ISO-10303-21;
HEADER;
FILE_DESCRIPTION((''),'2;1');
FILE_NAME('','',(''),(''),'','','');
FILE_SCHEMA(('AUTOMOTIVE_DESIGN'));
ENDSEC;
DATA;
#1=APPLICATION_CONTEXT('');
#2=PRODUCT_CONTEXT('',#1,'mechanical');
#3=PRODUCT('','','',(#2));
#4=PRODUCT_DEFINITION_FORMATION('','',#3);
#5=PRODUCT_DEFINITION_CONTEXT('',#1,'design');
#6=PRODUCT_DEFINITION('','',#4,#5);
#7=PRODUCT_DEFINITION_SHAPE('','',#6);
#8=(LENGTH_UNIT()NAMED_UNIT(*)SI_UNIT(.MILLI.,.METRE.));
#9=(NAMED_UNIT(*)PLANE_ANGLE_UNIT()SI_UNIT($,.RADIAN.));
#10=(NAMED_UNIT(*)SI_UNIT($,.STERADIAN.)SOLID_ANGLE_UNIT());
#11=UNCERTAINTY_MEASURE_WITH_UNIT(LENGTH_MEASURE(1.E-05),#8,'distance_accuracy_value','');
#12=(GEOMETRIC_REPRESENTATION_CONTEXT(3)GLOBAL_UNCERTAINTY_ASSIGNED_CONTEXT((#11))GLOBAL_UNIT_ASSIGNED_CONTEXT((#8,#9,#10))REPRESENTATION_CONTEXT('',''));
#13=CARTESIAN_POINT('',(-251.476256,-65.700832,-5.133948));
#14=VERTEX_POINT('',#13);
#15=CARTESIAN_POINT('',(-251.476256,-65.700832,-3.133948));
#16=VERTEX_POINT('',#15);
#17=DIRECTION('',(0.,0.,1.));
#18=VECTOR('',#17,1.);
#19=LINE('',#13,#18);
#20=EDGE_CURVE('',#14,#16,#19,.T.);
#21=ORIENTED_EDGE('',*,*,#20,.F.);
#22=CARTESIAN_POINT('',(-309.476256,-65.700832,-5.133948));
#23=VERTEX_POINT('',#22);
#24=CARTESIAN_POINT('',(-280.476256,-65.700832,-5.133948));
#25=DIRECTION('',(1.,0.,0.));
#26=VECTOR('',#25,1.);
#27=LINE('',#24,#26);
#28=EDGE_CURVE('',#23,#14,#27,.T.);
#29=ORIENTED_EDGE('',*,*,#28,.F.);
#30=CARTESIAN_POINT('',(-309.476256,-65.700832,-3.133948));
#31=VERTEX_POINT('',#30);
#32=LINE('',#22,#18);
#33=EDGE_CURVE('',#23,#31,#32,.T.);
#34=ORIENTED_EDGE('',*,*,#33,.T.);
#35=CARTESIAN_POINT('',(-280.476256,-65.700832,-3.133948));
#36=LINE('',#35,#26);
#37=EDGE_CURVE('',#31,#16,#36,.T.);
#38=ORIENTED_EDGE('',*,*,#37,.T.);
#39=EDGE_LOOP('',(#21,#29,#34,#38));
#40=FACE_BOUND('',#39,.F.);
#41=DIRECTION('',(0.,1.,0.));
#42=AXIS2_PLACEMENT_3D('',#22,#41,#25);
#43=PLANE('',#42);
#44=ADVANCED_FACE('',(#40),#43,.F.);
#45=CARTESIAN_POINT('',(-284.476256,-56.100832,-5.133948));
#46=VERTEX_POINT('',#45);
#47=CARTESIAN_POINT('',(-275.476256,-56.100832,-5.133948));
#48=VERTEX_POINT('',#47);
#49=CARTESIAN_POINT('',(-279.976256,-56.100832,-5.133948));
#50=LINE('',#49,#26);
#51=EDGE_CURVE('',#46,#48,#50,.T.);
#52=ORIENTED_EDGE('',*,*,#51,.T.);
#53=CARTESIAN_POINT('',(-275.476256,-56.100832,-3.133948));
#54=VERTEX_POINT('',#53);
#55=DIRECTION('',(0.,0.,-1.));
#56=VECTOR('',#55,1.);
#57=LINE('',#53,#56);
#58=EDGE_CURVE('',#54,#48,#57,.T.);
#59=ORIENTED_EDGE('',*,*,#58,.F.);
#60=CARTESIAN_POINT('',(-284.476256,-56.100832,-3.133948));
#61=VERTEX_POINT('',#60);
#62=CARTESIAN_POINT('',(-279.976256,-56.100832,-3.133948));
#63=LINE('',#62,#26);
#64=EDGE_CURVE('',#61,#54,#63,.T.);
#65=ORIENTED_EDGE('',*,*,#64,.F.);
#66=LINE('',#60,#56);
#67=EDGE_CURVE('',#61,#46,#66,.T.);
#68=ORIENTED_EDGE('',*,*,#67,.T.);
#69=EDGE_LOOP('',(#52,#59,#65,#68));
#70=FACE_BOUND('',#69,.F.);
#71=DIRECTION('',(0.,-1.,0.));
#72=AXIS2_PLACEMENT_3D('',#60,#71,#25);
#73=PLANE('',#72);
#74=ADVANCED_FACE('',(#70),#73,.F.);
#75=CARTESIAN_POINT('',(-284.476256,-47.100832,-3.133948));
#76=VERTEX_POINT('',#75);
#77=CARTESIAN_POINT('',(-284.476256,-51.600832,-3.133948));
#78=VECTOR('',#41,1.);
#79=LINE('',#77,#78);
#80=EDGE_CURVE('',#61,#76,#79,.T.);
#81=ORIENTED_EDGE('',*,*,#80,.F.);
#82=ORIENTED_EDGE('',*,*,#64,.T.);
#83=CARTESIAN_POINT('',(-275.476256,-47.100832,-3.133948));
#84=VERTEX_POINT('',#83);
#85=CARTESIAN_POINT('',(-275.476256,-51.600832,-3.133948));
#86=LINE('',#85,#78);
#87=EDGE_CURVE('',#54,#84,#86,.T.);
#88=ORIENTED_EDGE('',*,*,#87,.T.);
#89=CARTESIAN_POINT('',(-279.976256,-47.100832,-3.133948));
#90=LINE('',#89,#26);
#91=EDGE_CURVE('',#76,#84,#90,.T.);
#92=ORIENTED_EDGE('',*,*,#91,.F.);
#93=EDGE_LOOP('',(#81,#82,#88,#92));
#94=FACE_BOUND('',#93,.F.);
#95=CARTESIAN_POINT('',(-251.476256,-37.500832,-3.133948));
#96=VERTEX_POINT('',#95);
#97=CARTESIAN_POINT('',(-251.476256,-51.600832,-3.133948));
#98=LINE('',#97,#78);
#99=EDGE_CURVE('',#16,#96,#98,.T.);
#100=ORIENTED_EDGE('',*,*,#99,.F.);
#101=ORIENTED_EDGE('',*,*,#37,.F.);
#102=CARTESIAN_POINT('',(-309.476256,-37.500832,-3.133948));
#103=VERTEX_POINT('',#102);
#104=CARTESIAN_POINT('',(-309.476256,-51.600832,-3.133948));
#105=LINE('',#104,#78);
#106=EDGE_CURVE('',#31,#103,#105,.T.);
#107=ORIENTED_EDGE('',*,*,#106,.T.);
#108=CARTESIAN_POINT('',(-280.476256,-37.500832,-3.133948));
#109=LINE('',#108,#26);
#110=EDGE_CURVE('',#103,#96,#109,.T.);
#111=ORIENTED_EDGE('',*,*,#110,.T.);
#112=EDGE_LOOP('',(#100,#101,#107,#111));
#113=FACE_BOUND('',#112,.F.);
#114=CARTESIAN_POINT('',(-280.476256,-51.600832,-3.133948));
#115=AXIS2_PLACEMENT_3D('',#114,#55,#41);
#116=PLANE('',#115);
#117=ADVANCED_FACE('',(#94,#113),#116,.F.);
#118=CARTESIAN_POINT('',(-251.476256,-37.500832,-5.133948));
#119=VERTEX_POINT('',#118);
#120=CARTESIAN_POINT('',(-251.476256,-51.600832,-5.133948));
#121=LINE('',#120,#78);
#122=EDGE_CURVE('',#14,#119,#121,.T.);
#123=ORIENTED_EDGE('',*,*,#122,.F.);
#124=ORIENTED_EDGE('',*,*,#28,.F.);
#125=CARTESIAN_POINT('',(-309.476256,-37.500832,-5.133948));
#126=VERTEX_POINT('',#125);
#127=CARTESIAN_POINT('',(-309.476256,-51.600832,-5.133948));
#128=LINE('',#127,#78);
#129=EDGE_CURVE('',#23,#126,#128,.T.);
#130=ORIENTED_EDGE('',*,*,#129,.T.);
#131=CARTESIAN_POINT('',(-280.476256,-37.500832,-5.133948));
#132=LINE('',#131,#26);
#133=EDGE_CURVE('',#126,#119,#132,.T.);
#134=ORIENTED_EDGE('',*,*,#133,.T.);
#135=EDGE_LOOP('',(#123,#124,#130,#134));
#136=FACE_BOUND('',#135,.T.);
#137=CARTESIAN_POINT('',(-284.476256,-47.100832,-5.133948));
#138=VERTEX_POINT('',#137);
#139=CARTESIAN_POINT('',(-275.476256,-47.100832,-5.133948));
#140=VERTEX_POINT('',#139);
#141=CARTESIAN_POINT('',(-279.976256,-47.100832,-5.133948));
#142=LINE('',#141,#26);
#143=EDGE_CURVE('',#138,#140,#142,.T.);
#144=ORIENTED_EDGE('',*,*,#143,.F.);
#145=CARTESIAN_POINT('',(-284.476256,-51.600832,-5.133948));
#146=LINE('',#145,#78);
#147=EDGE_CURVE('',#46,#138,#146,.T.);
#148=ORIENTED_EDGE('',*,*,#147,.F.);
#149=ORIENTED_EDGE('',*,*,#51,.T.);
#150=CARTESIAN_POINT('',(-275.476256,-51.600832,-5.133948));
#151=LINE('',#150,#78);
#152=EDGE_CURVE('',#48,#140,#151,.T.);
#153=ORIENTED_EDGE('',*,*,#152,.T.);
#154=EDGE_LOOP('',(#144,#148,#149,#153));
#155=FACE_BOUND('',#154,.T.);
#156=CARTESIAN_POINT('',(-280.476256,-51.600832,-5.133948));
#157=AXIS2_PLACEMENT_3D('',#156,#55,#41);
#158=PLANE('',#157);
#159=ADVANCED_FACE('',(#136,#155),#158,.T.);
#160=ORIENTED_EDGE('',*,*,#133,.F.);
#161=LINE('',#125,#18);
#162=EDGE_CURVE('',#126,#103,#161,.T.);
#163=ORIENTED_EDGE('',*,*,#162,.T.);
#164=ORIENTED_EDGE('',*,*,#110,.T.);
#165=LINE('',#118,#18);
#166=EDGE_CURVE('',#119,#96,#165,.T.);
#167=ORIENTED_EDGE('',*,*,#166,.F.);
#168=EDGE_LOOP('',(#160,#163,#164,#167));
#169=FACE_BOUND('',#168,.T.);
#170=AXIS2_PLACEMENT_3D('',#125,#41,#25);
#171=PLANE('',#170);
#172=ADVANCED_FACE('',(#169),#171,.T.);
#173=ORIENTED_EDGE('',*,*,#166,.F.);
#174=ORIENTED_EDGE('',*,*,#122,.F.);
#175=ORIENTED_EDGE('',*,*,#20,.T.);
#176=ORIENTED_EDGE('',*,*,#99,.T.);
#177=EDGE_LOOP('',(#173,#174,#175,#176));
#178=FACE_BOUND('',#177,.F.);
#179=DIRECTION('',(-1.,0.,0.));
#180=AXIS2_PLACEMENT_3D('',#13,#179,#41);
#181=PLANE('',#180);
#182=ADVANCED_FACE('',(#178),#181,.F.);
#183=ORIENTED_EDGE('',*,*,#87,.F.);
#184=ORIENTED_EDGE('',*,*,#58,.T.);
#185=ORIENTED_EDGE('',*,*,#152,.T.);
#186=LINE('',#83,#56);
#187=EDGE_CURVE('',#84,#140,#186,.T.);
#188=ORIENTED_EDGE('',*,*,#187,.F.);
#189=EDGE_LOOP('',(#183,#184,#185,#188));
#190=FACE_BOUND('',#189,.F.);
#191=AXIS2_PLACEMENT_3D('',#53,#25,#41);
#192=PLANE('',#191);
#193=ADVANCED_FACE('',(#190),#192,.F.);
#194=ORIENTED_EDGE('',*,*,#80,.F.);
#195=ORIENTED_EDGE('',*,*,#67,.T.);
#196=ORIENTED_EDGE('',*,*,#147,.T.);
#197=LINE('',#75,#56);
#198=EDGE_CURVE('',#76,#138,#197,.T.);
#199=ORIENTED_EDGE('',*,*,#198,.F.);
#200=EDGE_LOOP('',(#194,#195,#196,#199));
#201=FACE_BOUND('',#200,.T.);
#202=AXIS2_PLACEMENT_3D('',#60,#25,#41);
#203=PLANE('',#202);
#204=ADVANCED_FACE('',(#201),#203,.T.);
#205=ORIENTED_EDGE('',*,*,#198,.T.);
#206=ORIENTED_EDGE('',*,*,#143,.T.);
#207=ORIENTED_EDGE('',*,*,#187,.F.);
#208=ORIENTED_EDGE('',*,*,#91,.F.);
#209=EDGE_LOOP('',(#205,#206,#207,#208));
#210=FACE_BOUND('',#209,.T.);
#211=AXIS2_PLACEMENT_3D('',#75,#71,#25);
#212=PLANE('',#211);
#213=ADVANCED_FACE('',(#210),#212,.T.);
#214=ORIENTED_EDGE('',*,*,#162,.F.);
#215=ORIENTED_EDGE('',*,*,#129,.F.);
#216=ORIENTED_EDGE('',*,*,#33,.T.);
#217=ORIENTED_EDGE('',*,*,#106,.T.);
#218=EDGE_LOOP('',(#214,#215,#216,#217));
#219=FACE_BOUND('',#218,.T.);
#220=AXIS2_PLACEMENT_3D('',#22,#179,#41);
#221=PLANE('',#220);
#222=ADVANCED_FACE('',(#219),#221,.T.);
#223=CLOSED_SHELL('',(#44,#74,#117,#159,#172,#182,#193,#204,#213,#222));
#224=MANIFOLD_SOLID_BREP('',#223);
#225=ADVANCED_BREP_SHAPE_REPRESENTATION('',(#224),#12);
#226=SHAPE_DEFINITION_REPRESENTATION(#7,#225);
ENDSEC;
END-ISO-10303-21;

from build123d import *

# Parameters (mm, degrees)
RECTANGLE003_W     = 9
RECTANGLE003_H     = 9
EXTRUSION005_DEPTH = 2
CIRCLE_R           = 4.26
EXTRUSION001_DEPTH = 34.920666
RECTANGLE_W        = 28.2
RECTANGLE_H        = 58
EXTRUSION_DEPTH    = 2


with BuildPart() as extrusion005:
    # Rectangle003 (on Cut) → Extrusion005 (new body)
    with BuildSketch(Plane(origin=(-284.476256, -56.100832, -3.133948), x_dir=(1, 0, 0), z_dir=(0, 0, 1))):
        with Locations((4.5, 4.5)):
            Rectangle(RECTANGLE003_W, RECTANGLE003_H)
    extrude(amount=-EXTRUSION005_DEPTH)


with BuildPart() as extrusion001:
    # Circle → Extrusion001 (new body)
    with BuildSketch(Plane(origin=(-279.976256, -51.600832, -5.133948), x_dir=(0, 1, 0), z_dir=(0, 0, -1))):
        Circle(CIRCLE_R)
    extrude(amount=-EXTRUSION001_DEPTH)


with BuildPart() as cut002:
    # Rectangle → Extrusion (new body)
    with BuildSketch(Plane(origin=(-309.476256, -65.700832, -5.133948), x_dir=(0, 1, 0), z_dir=(0, 0, -1))):
        with Locations((14.1, 29)):
            Rectangle(RECTANGLE_W, RECTANGLE_H)
    extrude(amount=-EXTRUSION_DEPTH)

    # Cut: cut Extrusion001
    add(extrusion001.part, mode=Mode.SUBTRACT)

    # Cut002: cut Extrusion005
    add(extrusion005.part, mode=Mode.SUBTRACT)


solid = cut002.part
